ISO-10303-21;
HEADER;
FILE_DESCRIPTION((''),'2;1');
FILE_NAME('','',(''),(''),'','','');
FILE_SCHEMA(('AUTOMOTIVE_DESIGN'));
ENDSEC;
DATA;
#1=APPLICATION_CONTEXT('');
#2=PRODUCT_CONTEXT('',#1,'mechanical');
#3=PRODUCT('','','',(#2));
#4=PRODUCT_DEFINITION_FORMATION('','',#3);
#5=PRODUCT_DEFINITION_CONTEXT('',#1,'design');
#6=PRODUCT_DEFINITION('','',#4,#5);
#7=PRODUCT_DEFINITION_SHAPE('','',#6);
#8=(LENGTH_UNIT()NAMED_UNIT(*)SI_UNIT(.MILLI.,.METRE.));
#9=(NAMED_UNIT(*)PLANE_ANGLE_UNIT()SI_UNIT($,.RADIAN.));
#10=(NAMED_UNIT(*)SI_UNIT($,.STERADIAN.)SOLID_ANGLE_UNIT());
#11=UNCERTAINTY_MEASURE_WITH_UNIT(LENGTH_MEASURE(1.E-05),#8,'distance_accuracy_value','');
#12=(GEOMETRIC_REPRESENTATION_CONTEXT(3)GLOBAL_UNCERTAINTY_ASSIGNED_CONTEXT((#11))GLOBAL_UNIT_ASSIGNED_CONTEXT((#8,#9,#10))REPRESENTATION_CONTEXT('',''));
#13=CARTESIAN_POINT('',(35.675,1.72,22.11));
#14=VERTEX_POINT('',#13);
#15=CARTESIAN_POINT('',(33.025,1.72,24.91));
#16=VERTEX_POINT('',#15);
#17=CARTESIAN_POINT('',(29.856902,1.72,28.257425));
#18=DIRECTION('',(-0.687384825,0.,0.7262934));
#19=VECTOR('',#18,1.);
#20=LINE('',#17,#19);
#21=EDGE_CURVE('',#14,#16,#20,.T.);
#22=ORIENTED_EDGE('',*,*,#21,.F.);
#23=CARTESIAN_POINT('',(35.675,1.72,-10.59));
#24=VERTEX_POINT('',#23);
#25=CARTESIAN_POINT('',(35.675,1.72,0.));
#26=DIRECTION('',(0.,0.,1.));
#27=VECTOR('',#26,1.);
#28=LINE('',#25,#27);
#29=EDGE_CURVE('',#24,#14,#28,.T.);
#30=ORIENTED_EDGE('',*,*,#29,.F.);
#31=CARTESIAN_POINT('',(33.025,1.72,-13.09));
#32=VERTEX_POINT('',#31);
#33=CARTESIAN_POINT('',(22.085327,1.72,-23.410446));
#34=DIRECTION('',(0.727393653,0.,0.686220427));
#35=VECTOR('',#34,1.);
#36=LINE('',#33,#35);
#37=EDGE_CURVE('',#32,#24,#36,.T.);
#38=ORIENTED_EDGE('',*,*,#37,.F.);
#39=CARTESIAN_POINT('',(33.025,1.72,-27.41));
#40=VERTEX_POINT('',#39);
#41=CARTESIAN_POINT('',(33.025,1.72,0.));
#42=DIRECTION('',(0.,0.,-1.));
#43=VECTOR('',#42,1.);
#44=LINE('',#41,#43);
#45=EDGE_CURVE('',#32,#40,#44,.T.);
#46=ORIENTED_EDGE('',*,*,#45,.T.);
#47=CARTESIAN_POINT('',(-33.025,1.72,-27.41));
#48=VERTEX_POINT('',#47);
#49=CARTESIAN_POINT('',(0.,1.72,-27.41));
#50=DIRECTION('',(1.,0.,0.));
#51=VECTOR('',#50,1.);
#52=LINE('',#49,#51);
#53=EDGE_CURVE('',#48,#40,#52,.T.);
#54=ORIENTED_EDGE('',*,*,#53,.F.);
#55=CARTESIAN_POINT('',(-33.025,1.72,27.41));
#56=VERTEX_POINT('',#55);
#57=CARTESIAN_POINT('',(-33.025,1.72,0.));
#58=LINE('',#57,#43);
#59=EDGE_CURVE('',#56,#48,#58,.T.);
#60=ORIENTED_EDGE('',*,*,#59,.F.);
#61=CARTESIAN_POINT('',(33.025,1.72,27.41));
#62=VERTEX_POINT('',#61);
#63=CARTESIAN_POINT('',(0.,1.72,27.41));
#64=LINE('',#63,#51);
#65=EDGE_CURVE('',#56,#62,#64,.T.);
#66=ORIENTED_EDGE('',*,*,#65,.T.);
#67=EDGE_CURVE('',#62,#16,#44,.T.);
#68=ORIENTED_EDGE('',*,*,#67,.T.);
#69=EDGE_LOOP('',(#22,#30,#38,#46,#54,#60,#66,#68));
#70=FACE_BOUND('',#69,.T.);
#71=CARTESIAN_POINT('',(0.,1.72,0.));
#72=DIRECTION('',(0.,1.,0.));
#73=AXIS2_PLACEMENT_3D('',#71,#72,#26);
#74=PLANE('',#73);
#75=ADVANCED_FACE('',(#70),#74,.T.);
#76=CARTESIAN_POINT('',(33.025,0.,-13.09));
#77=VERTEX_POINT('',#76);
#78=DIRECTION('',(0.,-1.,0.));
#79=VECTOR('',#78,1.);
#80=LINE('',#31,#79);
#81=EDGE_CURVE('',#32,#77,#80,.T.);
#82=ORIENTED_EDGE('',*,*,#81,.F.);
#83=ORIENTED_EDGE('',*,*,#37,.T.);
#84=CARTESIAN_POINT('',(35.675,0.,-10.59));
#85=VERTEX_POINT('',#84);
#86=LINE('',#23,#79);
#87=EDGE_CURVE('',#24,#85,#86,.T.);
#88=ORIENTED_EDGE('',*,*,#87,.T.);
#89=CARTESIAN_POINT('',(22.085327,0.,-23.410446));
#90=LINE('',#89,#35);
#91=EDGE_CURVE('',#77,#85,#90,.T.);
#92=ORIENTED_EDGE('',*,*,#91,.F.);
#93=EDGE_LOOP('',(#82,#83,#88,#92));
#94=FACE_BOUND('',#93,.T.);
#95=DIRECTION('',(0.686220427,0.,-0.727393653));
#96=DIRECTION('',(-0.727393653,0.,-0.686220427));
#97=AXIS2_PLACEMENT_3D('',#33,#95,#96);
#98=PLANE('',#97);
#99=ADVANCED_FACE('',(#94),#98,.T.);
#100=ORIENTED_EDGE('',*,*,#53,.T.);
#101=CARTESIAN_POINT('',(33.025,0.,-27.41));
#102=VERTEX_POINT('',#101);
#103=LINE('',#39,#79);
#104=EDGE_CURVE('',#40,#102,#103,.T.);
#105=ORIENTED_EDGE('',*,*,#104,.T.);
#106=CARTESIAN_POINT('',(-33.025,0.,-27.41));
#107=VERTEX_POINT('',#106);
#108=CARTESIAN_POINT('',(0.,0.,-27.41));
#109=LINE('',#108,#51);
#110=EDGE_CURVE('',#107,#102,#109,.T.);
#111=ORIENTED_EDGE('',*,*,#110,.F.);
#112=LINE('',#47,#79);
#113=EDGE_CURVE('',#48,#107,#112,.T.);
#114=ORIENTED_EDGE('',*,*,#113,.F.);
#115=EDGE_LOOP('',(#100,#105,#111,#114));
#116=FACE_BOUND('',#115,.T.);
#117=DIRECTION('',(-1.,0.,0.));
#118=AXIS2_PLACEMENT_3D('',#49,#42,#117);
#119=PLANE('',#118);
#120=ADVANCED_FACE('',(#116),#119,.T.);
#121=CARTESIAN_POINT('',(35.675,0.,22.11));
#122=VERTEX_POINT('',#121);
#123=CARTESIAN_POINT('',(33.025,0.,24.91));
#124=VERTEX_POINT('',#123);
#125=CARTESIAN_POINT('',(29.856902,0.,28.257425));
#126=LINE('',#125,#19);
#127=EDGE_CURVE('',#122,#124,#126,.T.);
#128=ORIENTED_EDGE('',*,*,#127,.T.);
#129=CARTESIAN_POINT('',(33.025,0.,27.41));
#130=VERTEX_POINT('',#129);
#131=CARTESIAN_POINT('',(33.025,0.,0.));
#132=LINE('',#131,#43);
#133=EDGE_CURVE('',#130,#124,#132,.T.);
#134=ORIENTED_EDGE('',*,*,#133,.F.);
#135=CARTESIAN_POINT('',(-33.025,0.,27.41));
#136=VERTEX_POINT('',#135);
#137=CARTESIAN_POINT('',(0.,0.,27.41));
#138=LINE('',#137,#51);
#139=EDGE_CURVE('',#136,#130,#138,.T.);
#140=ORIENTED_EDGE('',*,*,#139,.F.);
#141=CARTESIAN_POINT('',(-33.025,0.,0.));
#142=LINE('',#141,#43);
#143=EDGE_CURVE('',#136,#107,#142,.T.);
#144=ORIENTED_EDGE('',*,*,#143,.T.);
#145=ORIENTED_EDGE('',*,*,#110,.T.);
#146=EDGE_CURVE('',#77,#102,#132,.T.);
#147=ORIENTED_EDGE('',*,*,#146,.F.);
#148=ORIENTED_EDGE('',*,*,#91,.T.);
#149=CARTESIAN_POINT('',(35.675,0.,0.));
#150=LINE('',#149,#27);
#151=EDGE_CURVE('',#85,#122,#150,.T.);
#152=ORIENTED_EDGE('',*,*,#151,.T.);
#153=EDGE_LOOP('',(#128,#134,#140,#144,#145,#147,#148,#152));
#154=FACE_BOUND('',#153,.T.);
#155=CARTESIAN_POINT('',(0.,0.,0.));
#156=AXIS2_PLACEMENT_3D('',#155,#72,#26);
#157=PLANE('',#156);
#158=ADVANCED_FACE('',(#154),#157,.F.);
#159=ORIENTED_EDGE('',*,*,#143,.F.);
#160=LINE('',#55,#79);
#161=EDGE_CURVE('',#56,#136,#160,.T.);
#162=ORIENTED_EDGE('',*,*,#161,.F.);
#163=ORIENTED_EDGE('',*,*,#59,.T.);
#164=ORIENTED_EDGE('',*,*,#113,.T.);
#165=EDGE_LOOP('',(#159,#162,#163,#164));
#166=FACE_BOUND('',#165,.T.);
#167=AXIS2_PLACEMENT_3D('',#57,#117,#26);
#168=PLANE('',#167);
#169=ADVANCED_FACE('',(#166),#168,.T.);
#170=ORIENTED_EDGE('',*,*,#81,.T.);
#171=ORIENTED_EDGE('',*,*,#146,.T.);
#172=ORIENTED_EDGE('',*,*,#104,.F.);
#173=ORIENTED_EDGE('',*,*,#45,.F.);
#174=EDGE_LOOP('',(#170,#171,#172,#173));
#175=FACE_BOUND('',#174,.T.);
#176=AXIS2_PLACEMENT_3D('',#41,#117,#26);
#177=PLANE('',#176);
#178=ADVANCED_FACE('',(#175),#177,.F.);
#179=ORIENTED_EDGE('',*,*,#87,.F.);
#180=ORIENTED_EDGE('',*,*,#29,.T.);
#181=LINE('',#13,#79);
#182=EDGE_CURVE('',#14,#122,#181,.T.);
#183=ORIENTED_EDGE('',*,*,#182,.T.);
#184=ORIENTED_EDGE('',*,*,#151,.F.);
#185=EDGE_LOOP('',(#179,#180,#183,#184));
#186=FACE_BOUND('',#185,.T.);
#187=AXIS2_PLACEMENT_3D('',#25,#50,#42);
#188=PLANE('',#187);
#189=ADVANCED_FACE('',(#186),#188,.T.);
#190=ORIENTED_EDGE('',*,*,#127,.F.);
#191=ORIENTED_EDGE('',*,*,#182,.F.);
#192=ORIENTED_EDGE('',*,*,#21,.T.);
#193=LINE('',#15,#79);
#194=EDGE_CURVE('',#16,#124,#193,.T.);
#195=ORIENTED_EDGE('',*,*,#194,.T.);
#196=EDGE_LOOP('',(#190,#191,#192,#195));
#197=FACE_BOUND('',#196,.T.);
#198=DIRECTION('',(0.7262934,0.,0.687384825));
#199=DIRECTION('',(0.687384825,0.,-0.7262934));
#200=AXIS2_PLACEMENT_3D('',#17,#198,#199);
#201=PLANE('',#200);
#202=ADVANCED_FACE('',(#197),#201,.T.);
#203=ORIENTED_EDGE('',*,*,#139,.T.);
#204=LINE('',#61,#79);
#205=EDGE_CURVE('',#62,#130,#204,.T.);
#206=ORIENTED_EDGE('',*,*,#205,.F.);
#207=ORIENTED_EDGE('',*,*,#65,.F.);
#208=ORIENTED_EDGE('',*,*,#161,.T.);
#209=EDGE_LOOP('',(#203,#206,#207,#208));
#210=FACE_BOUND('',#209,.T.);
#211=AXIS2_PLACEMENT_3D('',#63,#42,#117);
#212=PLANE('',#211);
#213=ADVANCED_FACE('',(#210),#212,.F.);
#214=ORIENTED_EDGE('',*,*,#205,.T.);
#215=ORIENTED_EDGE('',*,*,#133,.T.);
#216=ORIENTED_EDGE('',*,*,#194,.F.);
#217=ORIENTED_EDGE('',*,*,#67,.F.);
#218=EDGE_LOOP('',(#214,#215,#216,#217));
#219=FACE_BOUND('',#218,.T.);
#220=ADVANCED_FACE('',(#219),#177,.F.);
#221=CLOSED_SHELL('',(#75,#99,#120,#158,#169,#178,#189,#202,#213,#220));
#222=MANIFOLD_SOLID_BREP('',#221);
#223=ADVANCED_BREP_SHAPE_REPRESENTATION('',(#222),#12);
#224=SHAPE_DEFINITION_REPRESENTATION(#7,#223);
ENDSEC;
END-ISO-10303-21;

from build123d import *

# Parameters (mm, degrees)
CROQUIS1_W              = 66.05
CROQUIS1_H              = 54.82
SALIENTE_EXTRUIR1_DEPTH = 1.72


with BuildPart() as part:
    # Croquis1 → Saliente-Extruir1 (new body)
    with BuildSketch(Plane(origin=(0, 0, 0), x_dir=(1, 0, 0), z_dir=(0, 1, 0))):
        Rectangle(CROQUIS1_W, CROQUIS1_H)
        Polygon((35.675, 10.59), (33.025, 13.09), (33.025, -24.91), (35.675, -22.11), align=None)
    extrude(amount=SALIENTE_EXTRUIR1_DEPTH)


solid = part.part
